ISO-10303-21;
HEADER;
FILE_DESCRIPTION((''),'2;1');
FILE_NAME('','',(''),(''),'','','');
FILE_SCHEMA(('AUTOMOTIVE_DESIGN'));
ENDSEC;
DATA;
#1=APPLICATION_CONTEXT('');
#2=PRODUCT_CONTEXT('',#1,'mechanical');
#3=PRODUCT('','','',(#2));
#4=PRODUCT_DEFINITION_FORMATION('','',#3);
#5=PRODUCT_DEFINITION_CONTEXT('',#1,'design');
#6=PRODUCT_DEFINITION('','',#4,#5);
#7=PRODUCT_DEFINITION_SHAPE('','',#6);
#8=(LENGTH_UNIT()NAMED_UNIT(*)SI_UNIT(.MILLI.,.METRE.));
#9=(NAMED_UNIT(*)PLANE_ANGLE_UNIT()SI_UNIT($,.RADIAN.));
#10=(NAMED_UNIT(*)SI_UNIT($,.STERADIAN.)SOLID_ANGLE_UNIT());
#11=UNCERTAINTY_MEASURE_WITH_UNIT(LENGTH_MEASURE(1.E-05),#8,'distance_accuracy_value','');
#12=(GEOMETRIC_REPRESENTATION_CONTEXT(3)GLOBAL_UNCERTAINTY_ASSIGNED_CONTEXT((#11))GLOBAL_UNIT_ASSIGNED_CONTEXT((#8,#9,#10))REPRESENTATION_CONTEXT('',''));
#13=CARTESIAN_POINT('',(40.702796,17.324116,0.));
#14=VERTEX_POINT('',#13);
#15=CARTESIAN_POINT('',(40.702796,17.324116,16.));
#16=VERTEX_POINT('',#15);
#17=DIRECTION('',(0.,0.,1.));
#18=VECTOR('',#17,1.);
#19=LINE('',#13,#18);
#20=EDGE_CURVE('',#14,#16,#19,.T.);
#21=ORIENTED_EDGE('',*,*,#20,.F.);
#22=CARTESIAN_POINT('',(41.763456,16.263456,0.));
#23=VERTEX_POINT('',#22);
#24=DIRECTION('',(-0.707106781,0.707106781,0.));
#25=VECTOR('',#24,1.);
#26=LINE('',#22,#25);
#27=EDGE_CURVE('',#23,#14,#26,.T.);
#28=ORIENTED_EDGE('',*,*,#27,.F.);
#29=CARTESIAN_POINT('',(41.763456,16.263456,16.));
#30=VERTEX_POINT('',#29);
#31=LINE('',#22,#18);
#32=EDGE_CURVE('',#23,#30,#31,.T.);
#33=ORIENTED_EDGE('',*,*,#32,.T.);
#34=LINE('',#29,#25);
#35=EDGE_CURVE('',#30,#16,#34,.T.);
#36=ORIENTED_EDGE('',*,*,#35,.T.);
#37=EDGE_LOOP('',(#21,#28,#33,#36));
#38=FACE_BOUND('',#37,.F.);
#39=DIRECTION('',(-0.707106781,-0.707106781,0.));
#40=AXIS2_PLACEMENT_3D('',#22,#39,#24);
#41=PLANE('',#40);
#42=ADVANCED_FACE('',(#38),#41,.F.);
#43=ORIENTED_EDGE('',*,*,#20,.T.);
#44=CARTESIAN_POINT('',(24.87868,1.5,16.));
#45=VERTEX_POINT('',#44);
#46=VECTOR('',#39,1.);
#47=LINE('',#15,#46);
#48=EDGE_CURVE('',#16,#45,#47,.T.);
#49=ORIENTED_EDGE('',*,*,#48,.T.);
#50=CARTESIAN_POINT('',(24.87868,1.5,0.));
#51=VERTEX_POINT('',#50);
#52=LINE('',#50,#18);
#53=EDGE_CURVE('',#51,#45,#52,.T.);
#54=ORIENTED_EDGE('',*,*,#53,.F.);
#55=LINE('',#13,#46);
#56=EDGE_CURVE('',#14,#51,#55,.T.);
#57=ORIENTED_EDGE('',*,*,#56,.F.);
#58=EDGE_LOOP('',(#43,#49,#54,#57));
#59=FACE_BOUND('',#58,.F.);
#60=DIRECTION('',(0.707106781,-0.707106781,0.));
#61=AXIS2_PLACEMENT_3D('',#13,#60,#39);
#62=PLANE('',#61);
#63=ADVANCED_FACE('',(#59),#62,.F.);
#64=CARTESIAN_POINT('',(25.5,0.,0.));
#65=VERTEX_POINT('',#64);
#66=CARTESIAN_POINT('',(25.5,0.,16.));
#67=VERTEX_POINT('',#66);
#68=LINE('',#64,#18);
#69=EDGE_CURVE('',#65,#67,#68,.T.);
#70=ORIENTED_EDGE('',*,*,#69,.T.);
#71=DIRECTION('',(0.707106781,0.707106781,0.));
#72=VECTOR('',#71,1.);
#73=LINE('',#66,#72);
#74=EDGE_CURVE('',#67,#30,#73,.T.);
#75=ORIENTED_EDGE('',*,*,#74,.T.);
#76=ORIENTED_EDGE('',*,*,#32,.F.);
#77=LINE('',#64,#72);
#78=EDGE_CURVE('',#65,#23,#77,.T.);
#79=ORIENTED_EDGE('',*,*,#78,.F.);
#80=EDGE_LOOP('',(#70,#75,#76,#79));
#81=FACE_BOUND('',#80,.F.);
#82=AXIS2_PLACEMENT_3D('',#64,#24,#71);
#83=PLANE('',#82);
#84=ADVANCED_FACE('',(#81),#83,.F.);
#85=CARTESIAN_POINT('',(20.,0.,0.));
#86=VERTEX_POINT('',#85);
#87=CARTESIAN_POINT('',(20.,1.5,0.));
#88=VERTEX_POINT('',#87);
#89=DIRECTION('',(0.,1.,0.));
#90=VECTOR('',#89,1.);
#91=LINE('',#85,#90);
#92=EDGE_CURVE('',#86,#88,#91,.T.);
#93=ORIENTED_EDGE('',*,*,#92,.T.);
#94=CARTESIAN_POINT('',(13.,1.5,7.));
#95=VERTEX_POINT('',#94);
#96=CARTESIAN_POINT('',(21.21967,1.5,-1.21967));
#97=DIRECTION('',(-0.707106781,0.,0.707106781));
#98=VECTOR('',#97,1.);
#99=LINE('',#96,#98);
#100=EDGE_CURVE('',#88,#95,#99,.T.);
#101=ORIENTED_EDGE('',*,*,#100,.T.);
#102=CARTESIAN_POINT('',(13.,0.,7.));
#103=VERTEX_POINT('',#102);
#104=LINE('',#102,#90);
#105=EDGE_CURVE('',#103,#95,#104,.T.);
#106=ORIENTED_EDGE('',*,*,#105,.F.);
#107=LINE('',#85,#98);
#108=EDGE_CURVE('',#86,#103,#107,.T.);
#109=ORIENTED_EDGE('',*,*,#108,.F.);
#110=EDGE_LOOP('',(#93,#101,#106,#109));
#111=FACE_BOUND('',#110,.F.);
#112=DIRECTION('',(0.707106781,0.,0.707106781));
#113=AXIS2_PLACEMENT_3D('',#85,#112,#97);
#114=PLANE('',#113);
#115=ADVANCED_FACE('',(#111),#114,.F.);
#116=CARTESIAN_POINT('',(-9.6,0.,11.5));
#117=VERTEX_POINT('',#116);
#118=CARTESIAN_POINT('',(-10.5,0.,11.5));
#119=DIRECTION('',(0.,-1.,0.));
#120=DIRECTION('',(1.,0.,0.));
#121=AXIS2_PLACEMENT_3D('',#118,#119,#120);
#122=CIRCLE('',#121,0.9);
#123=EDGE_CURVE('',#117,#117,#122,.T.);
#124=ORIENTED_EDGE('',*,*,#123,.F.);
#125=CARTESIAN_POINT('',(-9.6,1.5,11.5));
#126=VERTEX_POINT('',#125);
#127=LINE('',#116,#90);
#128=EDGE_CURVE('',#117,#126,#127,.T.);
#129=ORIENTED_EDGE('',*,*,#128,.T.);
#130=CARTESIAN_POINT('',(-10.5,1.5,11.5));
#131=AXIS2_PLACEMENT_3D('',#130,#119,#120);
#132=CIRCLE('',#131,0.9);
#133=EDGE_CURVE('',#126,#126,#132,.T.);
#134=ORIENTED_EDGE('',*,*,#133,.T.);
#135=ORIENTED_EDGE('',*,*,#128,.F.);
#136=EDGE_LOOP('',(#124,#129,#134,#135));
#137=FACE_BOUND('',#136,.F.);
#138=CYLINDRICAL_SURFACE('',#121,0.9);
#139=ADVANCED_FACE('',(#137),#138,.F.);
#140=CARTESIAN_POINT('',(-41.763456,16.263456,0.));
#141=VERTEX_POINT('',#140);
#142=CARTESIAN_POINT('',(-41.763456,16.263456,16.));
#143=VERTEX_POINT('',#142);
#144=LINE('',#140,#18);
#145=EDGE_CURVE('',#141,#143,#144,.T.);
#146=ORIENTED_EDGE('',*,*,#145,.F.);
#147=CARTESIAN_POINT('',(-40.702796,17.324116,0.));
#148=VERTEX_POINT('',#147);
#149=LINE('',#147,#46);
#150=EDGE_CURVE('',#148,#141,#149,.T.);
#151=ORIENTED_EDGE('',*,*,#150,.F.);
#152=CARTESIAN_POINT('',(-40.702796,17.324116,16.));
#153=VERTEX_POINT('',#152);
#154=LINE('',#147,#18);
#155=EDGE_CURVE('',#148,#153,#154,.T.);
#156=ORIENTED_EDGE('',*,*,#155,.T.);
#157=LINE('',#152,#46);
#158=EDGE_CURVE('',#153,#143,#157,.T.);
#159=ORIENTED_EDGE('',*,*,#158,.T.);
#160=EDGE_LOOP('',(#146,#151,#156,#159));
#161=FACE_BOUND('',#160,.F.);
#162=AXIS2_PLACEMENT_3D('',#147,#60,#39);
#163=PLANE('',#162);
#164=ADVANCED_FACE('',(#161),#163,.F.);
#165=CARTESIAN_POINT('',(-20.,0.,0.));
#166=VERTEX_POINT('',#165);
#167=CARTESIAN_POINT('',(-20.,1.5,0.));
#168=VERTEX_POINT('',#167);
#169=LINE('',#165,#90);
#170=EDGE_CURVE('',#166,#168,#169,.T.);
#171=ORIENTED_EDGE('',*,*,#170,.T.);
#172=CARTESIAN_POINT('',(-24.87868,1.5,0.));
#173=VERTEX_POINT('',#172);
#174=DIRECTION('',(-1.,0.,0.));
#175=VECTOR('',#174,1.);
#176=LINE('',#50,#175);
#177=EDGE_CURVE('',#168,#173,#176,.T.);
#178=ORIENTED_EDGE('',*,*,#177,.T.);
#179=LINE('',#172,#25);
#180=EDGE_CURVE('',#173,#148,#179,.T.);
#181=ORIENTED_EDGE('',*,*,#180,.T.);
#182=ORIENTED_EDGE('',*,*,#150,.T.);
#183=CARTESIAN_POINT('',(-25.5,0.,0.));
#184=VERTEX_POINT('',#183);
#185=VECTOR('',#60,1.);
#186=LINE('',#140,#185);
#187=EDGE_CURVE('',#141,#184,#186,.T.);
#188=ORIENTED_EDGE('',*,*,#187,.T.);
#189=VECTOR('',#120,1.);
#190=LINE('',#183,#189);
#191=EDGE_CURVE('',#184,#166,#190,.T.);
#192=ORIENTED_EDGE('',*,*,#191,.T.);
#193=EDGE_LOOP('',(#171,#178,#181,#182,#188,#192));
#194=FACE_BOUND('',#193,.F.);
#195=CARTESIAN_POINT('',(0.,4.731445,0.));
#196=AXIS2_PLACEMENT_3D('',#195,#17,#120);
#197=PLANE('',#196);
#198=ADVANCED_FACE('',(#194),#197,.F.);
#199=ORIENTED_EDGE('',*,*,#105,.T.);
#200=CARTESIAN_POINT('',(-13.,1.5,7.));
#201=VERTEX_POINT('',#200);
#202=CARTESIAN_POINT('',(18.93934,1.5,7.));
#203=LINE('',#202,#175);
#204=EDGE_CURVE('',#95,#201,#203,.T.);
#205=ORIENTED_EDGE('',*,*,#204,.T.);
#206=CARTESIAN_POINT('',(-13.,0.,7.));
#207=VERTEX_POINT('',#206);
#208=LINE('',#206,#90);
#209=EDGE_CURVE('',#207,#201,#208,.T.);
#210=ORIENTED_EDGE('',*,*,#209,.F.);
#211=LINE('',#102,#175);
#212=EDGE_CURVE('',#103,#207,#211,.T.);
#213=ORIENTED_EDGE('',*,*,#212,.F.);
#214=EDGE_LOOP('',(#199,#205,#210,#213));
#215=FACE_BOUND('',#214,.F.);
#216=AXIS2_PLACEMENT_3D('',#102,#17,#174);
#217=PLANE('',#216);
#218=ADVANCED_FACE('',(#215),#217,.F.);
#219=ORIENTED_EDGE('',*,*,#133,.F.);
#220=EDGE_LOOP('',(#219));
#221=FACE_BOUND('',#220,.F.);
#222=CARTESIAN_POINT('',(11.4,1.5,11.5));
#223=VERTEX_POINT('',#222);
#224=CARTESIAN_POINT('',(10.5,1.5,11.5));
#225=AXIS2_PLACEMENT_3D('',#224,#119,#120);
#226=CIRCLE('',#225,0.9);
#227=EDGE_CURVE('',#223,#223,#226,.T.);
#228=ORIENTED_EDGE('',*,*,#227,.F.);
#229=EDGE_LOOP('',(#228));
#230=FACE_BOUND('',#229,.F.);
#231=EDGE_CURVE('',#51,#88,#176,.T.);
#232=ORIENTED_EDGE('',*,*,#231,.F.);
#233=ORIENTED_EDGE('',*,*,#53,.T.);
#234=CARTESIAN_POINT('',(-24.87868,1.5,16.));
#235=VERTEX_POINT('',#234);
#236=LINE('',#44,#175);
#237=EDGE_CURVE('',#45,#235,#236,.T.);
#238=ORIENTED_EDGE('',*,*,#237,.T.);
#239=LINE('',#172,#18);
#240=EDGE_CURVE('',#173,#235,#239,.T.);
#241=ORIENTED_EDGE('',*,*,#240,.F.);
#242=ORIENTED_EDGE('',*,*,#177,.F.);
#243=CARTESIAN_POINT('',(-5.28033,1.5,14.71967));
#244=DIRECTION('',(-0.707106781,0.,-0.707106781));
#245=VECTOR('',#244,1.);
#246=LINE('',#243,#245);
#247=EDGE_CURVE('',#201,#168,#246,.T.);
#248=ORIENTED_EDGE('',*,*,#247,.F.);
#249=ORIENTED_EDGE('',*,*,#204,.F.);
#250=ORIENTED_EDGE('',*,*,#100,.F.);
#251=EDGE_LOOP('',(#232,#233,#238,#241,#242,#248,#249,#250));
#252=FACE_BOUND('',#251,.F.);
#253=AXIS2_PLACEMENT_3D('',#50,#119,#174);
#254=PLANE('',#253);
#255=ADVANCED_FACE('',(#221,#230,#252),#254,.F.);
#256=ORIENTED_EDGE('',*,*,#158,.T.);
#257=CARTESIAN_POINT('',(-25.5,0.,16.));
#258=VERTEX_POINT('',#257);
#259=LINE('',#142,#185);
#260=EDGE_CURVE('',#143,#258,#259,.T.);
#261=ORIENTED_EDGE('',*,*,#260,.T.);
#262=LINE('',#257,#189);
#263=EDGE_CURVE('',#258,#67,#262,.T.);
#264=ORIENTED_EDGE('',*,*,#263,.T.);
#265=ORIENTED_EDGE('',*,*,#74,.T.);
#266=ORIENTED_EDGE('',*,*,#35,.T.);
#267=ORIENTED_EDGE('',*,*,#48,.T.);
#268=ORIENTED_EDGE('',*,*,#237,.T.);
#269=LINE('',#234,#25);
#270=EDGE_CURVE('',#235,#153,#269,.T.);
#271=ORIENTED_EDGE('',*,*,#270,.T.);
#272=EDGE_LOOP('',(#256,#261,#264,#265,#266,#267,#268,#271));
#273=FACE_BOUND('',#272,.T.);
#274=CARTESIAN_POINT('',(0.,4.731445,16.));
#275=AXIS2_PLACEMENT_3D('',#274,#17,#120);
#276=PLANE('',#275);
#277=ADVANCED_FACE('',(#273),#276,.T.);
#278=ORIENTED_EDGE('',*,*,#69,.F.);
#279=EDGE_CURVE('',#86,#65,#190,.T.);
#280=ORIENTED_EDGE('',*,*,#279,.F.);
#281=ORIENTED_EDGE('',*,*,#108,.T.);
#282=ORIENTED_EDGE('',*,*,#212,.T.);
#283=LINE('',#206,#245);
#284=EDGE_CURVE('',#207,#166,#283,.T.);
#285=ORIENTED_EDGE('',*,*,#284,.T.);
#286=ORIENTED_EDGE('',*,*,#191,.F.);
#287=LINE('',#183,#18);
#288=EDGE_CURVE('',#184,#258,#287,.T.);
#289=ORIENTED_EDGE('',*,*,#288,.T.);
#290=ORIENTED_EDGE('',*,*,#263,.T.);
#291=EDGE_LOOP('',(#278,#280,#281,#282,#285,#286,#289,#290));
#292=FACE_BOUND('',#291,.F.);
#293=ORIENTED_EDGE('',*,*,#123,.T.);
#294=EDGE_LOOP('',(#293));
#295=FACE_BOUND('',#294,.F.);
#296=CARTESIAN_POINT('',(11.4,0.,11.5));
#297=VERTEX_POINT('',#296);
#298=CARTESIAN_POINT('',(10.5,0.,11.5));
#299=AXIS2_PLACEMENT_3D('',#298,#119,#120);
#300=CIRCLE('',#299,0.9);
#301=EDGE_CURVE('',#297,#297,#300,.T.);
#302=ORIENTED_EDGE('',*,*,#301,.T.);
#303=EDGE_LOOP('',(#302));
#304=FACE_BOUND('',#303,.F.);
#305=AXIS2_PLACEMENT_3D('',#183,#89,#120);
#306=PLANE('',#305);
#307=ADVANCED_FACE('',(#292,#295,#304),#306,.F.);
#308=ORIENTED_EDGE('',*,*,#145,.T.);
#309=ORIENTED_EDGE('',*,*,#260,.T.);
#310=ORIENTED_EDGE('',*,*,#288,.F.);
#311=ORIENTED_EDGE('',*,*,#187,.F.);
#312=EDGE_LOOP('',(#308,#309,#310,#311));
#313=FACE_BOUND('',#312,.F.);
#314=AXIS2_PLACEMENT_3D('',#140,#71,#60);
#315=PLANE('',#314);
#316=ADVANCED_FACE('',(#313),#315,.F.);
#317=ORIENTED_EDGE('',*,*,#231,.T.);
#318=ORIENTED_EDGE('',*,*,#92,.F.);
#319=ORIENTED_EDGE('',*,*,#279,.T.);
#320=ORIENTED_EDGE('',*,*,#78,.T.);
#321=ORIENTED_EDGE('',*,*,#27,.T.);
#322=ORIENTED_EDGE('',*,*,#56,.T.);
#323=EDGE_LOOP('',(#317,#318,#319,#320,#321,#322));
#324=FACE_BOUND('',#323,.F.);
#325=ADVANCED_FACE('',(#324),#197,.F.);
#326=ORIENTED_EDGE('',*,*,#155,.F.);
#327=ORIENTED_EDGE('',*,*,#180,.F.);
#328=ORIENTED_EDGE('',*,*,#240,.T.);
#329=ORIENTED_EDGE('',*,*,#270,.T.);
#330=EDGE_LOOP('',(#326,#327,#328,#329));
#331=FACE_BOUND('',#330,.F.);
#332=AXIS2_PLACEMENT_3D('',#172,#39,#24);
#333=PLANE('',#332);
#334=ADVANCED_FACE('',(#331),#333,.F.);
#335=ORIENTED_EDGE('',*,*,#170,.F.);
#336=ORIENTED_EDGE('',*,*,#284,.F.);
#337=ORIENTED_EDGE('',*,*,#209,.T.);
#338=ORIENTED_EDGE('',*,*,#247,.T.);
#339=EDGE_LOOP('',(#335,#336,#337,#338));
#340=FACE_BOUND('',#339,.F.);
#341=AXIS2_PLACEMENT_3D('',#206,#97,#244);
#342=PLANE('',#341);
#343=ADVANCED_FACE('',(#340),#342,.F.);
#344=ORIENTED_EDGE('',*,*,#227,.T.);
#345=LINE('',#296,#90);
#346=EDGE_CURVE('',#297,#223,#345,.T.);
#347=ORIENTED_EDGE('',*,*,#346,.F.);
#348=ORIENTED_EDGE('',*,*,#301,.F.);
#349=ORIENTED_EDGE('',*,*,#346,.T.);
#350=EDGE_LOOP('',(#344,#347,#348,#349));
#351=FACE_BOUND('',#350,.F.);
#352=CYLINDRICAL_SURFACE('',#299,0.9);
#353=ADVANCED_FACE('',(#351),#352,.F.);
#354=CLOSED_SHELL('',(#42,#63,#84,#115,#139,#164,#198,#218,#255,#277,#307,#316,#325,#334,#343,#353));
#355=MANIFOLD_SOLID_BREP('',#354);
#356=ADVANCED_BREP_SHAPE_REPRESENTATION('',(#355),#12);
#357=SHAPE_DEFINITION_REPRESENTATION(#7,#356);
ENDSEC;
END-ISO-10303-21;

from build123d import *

# Parameters (mm, degrees)
F1_DEPTH = 16
F2_R     = 0.9
F3_DEPTH = 17.325116


with BuildPart() as f1:
    # F0 (on Top) → F1 (new body)
    with BuildSketch(Plane.XY):
        Polygon((-25.5, 0), (0, 0), (25.5, 0), (41.763456, 16.263456), (40.702796, 17.324116), (24.87868, 1.5), (0, 1.5), (-24.87868, 1.5), (-40.702796, 17.324116), (-41.763456, 16.263456), align=None)
    extrude(amount=F1_DEPTH)

    # F2 (on face) → F3 (cut, through all)
    with BuildSketch(Plane.XZ):
        with Locations((-10.5, 11.5)):
            Circle(F2_R)
        with Locations((10.5, 11.5)):
            Circle(F2_R)
        Polygon((-13, 7), (-20, 0), (20, 0), (13, 7), align=None)
    extrude(amount=-F3_DEPTH, mode=Mode.SUBTRACT)


solid = f1.part
